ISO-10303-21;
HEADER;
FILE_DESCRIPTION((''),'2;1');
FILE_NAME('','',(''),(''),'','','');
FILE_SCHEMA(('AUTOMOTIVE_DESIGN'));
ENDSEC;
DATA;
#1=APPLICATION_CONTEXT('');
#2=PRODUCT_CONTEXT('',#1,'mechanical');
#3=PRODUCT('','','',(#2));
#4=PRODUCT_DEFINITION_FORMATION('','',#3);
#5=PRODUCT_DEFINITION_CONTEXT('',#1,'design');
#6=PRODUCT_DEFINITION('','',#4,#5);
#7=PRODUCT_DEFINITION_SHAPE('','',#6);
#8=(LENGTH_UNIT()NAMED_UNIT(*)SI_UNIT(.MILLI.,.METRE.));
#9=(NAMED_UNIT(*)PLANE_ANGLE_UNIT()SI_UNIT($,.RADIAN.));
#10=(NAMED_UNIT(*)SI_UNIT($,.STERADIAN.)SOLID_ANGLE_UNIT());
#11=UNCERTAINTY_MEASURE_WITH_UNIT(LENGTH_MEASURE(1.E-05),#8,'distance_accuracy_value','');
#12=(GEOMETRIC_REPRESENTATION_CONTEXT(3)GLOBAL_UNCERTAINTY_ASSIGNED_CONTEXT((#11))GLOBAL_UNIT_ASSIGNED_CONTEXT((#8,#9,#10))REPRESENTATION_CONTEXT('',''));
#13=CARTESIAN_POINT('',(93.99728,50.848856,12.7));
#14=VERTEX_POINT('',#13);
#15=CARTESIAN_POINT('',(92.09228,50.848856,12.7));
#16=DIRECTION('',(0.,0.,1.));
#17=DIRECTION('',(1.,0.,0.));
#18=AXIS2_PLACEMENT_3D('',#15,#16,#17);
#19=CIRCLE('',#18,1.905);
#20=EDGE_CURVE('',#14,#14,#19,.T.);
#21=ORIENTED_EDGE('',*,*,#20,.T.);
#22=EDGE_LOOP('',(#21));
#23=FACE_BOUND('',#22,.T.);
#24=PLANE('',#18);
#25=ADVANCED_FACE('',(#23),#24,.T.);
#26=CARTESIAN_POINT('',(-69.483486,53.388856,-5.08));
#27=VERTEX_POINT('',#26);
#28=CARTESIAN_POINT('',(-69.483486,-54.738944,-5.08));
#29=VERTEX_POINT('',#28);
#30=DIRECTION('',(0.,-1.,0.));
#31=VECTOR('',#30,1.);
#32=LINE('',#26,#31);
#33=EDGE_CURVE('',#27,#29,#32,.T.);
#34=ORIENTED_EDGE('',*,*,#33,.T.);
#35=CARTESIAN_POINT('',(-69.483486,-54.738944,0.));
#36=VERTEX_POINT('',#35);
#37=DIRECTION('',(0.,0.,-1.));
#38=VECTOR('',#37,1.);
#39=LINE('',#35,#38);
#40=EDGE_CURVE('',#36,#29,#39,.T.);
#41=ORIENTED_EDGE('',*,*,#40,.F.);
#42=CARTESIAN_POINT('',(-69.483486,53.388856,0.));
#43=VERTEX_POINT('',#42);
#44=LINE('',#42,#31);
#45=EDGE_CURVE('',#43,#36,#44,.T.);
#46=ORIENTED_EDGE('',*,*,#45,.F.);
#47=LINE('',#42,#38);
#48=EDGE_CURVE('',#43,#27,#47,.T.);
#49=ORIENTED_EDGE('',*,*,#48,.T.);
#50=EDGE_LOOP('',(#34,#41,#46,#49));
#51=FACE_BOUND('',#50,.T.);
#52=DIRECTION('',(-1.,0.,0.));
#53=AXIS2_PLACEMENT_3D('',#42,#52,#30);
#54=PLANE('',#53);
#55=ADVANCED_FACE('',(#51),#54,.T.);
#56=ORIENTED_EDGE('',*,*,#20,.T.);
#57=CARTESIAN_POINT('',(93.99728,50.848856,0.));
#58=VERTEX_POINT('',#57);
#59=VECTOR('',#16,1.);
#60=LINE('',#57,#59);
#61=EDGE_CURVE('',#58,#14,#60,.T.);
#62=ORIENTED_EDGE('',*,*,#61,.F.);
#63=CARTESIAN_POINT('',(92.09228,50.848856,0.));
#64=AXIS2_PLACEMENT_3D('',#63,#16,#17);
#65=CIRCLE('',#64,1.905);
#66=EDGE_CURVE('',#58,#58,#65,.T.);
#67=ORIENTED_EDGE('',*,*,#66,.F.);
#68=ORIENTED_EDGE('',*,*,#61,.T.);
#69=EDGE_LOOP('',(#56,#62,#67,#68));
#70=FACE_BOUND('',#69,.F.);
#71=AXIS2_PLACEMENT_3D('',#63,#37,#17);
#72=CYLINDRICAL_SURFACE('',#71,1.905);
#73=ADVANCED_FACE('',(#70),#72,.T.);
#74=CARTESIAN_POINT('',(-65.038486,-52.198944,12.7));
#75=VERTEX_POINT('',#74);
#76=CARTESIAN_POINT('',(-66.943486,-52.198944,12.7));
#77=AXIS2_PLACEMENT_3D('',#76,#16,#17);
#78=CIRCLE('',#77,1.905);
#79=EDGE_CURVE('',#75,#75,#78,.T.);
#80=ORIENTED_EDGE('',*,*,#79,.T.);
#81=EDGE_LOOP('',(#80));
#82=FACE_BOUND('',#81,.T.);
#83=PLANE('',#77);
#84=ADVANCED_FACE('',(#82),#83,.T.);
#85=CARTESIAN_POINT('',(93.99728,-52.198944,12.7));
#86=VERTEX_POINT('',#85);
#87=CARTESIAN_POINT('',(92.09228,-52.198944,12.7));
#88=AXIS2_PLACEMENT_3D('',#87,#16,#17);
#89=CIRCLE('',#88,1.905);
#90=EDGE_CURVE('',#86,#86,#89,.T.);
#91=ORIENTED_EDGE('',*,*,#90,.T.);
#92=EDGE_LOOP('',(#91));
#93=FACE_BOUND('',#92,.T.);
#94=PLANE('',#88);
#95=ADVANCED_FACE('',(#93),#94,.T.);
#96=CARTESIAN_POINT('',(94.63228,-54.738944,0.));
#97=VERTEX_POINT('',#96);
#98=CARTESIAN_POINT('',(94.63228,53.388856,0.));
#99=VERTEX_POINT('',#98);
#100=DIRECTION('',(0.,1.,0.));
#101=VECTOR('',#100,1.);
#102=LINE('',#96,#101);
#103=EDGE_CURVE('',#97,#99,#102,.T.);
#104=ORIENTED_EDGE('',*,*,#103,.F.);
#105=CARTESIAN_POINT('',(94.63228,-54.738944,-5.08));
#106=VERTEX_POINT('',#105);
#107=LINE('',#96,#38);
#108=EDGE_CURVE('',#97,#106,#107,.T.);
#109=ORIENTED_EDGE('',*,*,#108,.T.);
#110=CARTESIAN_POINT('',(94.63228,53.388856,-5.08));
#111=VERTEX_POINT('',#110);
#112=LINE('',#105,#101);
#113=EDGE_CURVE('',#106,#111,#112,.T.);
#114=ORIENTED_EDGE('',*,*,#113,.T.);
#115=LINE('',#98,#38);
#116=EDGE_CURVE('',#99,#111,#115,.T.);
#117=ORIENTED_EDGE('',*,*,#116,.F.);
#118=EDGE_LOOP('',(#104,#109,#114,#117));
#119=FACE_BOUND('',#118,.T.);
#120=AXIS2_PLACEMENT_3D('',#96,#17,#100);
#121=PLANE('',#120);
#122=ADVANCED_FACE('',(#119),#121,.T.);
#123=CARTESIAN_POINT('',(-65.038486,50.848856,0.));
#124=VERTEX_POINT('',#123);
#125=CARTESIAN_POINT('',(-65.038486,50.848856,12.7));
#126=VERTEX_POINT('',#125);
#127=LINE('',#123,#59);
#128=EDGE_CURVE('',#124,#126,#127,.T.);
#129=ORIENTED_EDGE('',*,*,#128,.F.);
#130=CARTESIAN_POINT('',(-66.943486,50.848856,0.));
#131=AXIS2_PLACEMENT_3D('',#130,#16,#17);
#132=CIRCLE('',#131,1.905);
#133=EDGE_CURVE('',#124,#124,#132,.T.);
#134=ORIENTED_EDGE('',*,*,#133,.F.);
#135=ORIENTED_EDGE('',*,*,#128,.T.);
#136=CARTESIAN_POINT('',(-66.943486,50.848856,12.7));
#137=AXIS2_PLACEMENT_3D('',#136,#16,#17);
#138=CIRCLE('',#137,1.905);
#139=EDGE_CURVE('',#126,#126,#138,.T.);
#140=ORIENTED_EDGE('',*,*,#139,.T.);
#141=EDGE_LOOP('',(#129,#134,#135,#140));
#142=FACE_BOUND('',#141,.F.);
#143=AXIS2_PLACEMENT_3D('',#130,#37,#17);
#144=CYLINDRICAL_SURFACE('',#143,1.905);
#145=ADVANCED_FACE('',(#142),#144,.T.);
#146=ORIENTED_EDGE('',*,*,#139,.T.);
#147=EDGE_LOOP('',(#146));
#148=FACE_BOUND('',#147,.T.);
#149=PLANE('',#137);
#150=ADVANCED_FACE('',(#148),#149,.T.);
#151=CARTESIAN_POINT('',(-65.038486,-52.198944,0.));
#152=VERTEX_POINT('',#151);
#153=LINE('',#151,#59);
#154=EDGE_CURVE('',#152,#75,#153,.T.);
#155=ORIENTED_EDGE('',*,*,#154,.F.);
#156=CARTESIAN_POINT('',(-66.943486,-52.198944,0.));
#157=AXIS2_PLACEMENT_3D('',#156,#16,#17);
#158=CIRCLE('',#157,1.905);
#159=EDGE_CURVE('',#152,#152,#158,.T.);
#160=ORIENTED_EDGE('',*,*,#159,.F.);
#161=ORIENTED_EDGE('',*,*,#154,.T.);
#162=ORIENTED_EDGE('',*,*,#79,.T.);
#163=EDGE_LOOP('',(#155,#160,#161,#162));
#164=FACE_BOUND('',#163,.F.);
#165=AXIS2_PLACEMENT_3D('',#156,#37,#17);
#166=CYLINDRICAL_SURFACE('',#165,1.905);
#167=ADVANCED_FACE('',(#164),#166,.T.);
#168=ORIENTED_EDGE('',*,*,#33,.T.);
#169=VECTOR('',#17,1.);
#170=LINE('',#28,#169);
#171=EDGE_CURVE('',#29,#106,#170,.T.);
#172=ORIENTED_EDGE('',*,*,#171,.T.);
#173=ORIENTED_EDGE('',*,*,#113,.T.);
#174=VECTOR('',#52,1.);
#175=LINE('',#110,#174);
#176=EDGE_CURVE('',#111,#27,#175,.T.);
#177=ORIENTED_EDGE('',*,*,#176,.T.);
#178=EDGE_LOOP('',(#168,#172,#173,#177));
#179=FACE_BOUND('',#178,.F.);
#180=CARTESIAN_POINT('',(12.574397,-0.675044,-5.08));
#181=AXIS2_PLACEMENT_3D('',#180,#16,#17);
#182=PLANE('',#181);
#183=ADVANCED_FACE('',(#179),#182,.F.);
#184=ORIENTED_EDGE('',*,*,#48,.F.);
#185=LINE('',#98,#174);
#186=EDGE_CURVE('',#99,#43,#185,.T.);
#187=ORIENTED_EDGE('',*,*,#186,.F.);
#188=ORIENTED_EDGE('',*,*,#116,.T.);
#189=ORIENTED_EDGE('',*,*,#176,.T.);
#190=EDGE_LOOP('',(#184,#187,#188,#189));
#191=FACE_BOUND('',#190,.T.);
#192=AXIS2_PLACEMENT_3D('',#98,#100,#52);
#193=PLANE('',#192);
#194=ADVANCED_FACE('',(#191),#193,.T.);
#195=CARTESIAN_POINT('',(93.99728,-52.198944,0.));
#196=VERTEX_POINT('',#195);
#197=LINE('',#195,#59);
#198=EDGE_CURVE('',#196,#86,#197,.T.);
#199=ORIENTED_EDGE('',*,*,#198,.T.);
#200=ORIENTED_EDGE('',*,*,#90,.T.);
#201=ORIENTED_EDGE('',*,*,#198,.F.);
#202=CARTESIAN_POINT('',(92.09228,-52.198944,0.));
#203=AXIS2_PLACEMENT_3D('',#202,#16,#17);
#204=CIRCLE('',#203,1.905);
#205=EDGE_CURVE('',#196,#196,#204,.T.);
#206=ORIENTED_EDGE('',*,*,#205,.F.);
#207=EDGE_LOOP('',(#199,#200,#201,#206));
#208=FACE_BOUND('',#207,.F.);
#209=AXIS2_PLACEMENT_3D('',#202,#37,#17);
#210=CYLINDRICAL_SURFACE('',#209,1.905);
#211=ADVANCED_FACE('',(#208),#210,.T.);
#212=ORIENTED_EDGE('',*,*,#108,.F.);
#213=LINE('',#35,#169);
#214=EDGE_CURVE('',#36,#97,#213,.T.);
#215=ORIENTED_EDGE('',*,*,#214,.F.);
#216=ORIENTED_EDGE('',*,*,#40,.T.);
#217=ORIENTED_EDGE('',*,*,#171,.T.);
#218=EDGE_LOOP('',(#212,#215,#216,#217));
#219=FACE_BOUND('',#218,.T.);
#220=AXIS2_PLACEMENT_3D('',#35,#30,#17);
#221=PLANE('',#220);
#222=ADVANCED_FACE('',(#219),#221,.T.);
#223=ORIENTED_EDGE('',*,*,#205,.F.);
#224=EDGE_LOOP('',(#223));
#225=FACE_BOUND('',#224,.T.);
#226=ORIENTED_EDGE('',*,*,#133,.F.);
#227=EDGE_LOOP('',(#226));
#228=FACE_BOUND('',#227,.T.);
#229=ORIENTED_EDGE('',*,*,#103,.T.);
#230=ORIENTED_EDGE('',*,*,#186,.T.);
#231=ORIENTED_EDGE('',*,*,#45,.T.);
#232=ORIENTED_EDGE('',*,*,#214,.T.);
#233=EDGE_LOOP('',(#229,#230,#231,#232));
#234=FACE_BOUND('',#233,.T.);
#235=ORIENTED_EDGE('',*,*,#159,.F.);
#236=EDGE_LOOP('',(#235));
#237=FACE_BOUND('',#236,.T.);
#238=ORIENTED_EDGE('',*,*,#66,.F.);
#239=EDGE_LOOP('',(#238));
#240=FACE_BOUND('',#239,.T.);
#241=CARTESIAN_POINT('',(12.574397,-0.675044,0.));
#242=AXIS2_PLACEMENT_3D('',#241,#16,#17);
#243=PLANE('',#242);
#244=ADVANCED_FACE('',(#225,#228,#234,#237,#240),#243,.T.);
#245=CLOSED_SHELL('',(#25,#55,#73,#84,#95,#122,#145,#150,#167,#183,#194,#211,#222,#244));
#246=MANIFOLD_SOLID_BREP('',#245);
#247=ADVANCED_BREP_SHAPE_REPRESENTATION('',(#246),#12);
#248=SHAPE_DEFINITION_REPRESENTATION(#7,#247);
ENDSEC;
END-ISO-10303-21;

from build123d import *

# Parameters (mm, degrees)
F2_DEPTH = 5.08
F1_R     = 1.905
F3_DEPTH = 12.7


with BuildPart() as f2:
    # F0 (on Top) → F2 (new body)
    with BuildSketch(Plane.XY):
        Polygon((89.55228, 53.388856), (-26.639517, 53.388856), (-64.403486, 53.388856), (-69.483486, 53.388856), (-69.483486, 48.308856), (-69.483486, -49.658944), (-69.483486, -54.738944), (-64.403486, -54.738944), (-26.639517, -54.738944), (89.55228, -54.738944), (94.63228, -54.738944), (94.63228, 12.150785), (94.63228, 53.388856), align=None)
    extrude(amount=-F2_DEPTH)

    # F1 (on Top) → F3 (join)
    with BuildSketch(Plane.XY):
        with Locations((-66.943486, -52.198944)):
            Circle(F1_R)
        with Locations((-66.943486, 50.848856)):
            Circle(F1_R)
        with Locations((92.09228, 50.848856)):
            Circle(F1_R)
        with Locations((92.09228, -52.198944)):
            Circle(F1_R)
    extrude(amount=F3_DEPTH)


solid = f2.part
